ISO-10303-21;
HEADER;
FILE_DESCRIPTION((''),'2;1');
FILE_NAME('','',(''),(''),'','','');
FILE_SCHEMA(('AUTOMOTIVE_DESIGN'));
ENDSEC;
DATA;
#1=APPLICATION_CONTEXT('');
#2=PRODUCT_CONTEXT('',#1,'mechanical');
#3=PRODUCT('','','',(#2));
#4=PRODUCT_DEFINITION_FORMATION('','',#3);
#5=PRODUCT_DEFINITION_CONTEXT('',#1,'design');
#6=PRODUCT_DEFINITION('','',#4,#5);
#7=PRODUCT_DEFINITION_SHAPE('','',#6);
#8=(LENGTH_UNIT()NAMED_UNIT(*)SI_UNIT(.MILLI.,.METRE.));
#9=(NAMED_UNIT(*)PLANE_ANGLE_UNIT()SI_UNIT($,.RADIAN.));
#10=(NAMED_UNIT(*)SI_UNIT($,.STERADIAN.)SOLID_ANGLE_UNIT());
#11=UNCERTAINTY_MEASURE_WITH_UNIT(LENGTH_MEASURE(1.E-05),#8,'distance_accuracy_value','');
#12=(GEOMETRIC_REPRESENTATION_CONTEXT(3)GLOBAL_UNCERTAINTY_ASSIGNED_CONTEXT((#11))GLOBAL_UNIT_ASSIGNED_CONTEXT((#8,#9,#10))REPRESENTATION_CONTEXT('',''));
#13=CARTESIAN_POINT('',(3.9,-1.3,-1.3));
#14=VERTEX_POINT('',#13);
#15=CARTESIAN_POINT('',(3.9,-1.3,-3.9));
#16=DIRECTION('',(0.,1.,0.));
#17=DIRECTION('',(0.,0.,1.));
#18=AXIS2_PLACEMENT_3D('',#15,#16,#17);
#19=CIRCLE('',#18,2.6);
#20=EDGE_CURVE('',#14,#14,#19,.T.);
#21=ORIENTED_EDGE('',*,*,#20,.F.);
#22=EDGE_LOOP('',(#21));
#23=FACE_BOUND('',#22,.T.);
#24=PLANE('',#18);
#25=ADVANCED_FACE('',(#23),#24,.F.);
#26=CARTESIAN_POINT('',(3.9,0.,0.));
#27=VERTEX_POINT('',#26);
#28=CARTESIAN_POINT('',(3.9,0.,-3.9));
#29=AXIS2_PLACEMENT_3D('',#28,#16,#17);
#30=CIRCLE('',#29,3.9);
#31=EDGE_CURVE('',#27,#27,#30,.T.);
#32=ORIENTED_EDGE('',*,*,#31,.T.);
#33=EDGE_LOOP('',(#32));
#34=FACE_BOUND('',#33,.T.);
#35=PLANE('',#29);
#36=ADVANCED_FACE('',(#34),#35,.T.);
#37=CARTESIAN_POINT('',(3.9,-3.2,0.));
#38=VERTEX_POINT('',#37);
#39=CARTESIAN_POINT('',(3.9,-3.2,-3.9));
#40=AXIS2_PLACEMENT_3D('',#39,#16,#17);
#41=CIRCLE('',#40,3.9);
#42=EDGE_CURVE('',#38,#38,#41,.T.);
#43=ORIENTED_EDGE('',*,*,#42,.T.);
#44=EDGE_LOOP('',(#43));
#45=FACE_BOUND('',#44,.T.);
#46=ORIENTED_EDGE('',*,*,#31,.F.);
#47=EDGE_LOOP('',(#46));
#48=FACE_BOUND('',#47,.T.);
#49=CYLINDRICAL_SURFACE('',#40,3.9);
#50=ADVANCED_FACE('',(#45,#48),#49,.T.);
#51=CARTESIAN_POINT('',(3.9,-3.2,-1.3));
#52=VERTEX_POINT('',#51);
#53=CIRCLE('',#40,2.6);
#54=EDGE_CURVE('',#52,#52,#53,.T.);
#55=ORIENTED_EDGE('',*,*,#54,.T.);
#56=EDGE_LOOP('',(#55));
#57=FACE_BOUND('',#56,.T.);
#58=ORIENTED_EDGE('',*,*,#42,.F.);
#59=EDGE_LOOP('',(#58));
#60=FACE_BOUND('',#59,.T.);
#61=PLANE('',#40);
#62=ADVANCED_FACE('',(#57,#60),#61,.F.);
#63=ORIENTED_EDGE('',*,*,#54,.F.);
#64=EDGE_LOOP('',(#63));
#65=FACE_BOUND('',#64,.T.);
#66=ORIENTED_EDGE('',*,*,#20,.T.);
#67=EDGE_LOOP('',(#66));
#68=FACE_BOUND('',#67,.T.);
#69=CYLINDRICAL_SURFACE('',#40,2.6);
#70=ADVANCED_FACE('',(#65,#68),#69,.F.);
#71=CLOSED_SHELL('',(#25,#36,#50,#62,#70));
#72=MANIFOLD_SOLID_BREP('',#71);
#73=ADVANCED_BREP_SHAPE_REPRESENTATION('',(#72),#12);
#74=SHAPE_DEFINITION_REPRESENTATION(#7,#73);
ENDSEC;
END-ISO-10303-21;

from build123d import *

# Parameters (mm, degrees)
SKETCH1_R           = 3.9
BOSS_EXTRUDE1_DEPTH = 3.2
SHELL1_T            = -1.3


with BuildPart() as part:
    # Sketch1 → Boss-Extrude1 (new body)
    with BuildSketch(Plane(origin=(0, 0, 0), x_dir=(1, 0, 0), z_dir=(0, 1, 0))):
        with Locations(Location((3.9, 3.9, 0), (0, 0, 270))):
            Circle(SKETCH1_R)
    extrude(amount=-BOSS_EXTRUDE1_DEPTH)

    # Shell1
    shell1_openings = [part.faces().sort_by_distance(p)[0] for p in [
        (3.9, -3.2, -3.9),
    ]]
    offset(amount=SHELL1_T, openings=shell1_openings, kind=Kind.INTERSECTION)


solid = part.part
